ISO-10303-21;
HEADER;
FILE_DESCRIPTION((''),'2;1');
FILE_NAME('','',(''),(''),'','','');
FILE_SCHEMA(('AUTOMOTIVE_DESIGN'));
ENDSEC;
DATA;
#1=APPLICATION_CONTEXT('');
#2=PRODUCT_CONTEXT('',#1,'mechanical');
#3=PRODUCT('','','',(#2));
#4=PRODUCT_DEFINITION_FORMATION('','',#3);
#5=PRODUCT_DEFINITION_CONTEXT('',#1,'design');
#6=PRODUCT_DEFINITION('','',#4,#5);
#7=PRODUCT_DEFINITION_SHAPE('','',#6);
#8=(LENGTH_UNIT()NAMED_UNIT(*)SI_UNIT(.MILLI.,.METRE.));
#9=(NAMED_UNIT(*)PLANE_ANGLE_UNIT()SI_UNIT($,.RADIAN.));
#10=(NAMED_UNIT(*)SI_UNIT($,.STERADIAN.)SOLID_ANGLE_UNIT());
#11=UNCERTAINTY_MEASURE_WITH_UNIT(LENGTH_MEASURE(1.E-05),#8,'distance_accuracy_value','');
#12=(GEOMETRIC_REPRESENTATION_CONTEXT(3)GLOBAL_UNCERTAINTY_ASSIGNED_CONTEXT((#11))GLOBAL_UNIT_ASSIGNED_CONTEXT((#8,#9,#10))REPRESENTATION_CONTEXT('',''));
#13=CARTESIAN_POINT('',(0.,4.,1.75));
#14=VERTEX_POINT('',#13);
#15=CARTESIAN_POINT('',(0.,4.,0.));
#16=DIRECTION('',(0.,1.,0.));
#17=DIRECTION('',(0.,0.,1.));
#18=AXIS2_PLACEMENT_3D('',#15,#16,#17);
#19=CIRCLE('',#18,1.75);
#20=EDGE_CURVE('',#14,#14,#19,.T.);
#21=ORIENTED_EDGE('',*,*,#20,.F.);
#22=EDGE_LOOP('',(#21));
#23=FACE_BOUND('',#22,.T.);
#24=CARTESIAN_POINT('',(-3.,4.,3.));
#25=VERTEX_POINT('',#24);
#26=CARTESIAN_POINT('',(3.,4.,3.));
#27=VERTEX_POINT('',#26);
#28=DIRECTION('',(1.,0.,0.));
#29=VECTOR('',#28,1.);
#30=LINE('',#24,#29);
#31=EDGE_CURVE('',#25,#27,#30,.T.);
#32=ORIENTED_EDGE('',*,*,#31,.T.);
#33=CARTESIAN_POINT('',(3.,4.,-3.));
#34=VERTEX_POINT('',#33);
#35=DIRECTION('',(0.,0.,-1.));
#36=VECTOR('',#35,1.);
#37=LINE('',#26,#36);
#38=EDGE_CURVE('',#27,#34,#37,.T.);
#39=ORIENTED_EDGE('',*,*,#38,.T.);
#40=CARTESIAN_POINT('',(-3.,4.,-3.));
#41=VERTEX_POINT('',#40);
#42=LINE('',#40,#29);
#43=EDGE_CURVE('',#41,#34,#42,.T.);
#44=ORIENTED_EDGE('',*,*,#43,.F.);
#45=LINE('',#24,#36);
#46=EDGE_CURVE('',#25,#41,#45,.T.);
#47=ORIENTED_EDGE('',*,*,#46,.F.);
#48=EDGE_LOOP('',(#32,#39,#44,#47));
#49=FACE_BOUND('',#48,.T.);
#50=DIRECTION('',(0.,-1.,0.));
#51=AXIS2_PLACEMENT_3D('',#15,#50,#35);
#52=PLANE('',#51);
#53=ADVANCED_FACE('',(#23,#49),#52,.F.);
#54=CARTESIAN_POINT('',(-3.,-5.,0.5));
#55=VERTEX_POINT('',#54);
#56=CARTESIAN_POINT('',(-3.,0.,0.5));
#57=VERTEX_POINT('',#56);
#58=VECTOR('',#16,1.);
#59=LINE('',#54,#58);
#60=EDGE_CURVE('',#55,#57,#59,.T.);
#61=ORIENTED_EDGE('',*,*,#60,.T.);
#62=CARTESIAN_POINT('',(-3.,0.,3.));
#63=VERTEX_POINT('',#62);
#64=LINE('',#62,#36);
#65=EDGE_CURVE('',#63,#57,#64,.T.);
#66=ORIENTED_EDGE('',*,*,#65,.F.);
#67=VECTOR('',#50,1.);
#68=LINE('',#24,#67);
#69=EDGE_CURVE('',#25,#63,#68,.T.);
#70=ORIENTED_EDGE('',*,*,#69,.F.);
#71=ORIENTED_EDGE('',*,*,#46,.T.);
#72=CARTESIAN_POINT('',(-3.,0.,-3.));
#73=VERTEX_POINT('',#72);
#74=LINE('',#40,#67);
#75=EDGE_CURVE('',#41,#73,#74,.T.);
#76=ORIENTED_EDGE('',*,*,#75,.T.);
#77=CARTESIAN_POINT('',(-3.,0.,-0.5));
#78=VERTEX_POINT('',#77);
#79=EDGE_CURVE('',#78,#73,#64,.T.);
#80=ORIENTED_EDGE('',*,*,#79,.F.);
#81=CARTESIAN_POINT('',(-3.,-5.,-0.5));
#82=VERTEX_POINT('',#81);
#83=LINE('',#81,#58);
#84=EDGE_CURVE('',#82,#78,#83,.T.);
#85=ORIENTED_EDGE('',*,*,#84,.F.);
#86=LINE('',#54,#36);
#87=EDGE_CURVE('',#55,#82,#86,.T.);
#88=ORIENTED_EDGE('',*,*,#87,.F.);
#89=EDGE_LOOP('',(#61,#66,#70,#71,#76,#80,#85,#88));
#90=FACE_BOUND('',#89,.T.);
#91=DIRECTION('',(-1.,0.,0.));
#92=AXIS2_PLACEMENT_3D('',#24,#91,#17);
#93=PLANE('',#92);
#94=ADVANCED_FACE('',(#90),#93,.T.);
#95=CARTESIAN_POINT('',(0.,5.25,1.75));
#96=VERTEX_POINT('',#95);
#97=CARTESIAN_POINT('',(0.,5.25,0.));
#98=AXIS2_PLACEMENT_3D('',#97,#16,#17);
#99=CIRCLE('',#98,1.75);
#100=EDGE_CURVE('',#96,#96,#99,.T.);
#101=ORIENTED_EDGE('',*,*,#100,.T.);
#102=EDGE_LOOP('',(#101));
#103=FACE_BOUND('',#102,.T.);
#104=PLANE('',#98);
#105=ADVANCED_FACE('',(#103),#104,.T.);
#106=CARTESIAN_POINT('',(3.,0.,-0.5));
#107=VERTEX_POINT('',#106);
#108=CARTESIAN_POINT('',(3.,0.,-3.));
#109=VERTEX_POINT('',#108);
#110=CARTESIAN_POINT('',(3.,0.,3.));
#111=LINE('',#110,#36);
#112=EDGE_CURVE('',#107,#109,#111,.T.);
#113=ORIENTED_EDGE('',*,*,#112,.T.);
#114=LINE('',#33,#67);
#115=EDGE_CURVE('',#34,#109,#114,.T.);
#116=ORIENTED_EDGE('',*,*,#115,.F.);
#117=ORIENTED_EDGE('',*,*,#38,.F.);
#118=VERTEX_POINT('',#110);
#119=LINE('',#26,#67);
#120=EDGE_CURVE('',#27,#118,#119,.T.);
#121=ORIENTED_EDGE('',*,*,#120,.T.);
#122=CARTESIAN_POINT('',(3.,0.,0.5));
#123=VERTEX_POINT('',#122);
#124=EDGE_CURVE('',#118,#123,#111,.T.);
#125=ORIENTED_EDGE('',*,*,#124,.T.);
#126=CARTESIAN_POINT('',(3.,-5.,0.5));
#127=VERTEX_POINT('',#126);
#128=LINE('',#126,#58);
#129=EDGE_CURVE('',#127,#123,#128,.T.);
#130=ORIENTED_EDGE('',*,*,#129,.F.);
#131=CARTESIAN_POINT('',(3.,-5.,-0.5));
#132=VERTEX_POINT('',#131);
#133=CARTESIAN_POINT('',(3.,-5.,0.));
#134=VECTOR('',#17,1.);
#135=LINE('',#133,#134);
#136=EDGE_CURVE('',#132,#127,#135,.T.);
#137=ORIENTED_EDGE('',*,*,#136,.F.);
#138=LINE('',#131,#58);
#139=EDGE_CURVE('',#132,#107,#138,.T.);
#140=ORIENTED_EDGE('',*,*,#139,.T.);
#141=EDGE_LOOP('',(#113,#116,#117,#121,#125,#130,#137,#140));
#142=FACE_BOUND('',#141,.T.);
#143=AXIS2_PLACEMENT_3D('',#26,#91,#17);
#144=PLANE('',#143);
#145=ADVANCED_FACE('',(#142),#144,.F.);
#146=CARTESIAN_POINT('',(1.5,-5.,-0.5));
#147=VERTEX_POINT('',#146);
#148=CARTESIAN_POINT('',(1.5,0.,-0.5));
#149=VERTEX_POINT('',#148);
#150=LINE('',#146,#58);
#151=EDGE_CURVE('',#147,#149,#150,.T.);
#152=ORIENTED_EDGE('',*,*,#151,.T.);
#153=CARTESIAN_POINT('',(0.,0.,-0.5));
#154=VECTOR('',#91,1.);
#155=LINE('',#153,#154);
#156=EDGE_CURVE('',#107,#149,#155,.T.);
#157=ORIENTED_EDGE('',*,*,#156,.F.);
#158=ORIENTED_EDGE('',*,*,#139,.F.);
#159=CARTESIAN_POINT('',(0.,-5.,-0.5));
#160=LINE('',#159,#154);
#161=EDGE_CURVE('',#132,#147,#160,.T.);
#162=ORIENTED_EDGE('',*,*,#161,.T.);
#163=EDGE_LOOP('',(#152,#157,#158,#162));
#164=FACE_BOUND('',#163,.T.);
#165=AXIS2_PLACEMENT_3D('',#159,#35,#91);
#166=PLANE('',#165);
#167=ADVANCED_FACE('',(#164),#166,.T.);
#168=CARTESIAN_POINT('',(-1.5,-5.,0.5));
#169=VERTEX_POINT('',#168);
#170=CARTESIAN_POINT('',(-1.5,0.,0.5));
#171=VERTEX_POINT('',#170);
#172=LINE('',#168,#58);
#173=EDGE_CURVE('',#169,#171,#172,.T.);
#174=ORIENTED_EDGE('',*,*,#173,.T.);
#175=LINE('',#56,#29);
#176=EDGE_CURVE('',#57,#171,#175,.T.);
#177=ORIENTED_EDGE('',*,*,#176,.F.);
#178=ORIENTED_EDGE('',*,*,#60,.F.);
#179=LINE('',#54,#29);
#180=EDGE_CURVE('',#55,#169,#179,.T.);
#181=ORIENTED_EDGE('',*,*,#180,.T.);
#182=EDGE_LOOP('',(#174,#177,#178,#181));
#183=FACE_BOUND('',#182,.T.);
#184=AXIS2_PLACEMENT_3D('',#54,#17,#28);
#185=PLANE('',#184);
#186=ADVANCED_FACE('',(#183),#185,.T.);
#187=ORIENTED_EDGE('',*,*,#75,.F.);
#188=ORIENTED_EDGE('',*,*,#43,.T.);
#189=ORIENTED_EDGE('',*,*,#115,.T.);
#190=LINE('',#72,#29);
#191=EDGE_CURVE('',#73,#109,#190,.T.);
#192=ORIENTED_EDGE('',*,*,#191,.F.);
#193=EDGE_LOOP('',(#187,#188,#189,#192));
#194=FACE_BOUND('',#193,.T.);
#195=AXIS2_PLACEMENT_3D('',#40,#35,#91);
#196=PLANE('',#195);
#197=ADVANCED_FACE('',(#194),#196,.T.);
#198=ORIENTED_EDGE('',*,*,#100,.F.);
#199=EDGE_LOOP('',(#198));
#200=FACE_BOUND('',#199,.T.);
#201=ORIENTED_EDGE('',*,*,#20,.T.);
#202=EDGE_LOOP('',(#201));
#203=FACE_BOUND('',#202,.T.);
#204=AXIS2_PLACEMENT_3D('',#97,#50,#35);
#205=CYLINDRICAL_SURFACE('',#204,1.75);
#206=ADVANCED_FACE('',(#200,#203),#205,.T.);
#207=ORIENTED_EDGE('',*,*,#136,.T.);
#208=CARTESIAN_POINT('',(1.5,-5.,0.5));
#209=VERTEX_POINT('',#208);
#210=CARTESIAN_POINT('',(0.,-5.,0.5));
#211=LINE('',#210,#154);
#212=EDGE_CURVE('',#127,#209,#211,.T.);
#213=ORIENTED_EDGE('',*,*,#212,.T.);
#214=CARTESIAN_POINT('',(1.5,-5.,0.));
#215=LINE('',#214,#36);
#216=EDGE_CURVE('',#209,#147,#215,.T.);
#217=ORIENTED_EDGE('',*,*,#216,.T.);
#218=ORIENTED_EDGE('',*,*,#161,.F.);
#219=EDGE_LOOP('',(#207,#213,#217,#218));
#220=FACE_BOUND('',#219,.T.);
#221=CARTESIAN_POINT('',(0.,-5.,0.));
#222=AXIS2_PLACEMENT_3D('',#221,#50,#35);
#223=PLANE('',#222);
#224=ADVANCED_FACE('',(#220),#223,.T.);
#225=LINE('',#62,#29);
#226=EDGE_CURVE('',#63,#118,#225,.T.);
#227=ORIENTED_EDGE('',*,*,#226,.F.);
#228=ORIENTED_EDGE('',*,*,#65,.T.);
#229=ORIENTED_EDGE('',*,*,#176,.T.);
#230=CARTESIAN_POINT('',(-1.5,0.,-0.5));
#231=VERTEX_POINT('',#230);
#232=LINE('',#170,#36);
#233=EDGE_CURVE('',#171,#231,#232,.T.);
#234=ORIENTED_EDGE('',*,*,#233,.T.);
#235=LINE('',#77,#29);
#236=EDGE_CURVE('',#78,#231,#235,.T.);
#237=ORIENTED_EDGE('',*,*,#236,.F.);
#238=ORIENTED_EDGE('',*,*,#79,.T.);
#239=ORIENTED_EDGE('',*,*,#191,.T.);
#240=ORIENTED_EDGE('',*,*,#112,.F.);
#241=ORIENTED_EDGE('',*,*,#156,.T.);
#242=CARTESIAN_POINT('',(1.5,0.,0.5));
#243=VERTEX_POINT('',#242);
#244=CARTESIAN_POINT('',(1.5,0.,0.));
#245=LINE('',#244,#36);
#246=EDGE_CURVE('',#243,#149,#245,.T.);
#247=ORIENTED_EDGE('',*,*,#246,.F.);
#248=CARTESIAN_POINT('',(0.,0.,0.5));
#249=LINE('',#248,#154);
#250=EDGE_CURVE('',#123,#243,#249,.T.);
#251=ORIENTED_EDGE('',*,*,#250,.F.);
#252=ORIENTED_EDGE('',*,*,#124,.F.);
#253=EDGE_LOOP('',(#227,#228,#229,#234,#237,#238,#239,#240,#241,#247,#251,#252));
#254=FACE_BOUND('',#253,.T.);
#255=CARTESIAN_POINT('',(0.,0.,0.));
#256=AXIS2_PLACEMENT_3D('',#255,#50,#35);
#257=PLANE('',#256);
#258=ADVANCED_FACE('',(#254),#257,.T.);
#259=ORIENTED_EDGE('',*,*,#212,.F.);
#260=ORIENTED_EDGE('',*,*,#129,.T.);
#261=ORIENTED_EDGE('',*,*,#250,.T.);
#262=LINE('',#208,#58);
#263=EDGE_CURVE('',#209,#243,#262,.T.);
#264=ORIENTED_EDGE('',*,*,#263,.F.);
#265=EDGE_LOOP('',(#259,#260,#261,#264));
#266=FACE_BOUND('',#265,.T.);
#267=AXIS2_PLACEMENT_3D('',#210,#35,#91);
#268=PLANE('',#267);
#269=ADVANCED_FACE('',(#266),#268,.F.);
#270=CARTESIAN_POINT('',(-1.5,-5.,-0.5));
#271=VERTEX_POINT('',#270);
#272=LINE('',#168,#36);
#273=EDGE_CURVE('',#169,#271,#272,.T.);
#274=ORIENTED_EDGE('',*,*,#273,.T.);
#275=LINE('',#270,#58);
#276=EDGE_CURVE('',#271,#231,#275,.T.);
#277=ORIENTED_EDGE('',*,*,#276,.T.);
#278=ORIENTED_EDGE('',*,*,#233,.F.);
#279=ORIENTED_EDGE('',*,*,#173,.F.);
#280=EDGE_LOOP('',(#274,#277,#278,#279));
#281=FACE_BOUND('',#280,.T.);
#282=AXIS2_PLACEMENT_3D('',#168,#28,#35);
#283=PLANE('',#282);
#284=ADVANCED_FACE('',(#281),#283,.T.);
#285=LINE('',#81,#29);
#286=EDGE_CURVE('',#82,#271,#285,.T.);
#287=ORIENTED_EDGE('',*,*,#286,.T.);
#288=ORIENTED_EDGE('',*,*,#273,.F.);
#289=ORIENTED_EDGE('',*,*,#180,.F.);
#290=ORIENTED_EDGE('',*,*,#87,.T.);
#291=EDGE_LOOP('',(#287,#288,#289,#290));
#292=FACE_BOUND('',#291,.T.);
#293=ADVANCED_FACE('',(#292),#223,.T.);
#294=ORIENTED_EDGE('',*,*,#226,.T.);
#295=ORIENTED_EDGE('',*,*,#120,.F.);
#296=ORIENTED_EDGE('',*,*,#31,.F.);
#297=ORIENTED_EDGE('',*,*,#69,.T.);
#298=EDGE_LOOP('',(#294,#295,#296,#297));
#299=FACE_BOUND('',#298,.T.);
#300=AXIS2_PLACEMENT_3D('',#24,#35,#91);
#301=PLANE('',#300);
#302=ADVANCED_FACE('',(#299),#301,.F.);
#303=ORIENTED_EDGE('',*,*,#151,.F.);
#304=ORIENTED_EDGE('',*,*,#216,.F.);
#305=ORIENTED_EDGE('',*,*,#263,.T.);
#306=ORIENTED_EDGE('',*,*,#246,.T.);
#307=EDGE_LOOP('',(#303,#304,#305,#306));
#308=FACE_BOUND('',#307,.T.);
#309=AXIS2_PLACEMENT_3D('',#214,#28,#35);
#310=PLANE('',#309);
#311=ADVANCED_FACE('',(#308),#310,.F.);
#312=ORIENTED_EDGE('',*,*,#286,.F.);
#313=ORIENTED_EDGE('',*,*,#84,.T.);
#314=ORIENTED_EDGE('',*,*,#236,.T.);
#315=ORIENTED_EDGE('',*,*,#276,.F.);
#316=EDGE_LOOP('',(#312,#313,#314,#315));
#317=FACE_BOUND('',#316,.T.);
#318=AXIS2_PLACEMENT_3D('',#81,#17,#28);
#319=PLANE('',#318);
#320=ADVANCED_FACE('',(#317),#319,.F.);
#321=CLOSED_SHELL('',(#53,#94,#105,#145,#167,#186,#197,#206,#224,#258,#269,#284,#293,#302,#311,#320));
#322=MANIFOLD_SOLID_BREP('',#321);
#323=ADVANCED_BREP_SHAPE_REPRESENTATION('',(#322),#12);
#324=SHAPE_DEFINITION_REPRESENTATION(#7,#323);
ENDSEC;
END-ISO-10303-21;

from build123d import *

# Parameters (mm, degrees)
SKETCH1_W           = 6
SKETCH1_H           = 6
BOSS_EXTRUDE1_DEPTH = 4
SKETCH2_R           = 1.75
BOSS_EXTRUDE2_DEPTH = 1.25
SKETCH3_W           = 1.5
SKETCH3_H           = 1
BOSS_EXTRUDE3_DEPTH = 5


with BuildPart() as part:
    # Sketch1 → Boss-Extrude1 (new body)
    with BuildSketch(Plane(origin=(0, 0, 0), x_dir=(1, 0, 0), z_dir=(0, 1, 0))):
        Rectangle(SKETCH1_W, SKETCH1_H)
    extrude(amount=BOSS_EXTRUDE1_DEPTH)

    # Sketch2 → Boss-Extrude2 (add)
    with BuildSketch(Plane(origin=(0, 4, 0), x_dir=(1, 0, 0), z_dir=(0, 1, 0))):
        with Locations(Location((0, 0, 0), (0, 0, 270))):
            Circle(SKETCH2_R)
    extrude(amount=BOSS_EXTRUDE2_DEPTH)

    # Sketch3 → Boss-Extrude3 (add)
    with BuildSketch(Plane.XZ):
        with Locations((2.25, 0)):
            Rectangle(SKETCH3_W, SKETCH3_H)
        with Locations((-2.25, 0)):
            Rectangle(SKETCH3_W, SKETCH3_H)
    extrude(amount=BOSS_EXTRUDE3_DEPTH)


solid = part.part
